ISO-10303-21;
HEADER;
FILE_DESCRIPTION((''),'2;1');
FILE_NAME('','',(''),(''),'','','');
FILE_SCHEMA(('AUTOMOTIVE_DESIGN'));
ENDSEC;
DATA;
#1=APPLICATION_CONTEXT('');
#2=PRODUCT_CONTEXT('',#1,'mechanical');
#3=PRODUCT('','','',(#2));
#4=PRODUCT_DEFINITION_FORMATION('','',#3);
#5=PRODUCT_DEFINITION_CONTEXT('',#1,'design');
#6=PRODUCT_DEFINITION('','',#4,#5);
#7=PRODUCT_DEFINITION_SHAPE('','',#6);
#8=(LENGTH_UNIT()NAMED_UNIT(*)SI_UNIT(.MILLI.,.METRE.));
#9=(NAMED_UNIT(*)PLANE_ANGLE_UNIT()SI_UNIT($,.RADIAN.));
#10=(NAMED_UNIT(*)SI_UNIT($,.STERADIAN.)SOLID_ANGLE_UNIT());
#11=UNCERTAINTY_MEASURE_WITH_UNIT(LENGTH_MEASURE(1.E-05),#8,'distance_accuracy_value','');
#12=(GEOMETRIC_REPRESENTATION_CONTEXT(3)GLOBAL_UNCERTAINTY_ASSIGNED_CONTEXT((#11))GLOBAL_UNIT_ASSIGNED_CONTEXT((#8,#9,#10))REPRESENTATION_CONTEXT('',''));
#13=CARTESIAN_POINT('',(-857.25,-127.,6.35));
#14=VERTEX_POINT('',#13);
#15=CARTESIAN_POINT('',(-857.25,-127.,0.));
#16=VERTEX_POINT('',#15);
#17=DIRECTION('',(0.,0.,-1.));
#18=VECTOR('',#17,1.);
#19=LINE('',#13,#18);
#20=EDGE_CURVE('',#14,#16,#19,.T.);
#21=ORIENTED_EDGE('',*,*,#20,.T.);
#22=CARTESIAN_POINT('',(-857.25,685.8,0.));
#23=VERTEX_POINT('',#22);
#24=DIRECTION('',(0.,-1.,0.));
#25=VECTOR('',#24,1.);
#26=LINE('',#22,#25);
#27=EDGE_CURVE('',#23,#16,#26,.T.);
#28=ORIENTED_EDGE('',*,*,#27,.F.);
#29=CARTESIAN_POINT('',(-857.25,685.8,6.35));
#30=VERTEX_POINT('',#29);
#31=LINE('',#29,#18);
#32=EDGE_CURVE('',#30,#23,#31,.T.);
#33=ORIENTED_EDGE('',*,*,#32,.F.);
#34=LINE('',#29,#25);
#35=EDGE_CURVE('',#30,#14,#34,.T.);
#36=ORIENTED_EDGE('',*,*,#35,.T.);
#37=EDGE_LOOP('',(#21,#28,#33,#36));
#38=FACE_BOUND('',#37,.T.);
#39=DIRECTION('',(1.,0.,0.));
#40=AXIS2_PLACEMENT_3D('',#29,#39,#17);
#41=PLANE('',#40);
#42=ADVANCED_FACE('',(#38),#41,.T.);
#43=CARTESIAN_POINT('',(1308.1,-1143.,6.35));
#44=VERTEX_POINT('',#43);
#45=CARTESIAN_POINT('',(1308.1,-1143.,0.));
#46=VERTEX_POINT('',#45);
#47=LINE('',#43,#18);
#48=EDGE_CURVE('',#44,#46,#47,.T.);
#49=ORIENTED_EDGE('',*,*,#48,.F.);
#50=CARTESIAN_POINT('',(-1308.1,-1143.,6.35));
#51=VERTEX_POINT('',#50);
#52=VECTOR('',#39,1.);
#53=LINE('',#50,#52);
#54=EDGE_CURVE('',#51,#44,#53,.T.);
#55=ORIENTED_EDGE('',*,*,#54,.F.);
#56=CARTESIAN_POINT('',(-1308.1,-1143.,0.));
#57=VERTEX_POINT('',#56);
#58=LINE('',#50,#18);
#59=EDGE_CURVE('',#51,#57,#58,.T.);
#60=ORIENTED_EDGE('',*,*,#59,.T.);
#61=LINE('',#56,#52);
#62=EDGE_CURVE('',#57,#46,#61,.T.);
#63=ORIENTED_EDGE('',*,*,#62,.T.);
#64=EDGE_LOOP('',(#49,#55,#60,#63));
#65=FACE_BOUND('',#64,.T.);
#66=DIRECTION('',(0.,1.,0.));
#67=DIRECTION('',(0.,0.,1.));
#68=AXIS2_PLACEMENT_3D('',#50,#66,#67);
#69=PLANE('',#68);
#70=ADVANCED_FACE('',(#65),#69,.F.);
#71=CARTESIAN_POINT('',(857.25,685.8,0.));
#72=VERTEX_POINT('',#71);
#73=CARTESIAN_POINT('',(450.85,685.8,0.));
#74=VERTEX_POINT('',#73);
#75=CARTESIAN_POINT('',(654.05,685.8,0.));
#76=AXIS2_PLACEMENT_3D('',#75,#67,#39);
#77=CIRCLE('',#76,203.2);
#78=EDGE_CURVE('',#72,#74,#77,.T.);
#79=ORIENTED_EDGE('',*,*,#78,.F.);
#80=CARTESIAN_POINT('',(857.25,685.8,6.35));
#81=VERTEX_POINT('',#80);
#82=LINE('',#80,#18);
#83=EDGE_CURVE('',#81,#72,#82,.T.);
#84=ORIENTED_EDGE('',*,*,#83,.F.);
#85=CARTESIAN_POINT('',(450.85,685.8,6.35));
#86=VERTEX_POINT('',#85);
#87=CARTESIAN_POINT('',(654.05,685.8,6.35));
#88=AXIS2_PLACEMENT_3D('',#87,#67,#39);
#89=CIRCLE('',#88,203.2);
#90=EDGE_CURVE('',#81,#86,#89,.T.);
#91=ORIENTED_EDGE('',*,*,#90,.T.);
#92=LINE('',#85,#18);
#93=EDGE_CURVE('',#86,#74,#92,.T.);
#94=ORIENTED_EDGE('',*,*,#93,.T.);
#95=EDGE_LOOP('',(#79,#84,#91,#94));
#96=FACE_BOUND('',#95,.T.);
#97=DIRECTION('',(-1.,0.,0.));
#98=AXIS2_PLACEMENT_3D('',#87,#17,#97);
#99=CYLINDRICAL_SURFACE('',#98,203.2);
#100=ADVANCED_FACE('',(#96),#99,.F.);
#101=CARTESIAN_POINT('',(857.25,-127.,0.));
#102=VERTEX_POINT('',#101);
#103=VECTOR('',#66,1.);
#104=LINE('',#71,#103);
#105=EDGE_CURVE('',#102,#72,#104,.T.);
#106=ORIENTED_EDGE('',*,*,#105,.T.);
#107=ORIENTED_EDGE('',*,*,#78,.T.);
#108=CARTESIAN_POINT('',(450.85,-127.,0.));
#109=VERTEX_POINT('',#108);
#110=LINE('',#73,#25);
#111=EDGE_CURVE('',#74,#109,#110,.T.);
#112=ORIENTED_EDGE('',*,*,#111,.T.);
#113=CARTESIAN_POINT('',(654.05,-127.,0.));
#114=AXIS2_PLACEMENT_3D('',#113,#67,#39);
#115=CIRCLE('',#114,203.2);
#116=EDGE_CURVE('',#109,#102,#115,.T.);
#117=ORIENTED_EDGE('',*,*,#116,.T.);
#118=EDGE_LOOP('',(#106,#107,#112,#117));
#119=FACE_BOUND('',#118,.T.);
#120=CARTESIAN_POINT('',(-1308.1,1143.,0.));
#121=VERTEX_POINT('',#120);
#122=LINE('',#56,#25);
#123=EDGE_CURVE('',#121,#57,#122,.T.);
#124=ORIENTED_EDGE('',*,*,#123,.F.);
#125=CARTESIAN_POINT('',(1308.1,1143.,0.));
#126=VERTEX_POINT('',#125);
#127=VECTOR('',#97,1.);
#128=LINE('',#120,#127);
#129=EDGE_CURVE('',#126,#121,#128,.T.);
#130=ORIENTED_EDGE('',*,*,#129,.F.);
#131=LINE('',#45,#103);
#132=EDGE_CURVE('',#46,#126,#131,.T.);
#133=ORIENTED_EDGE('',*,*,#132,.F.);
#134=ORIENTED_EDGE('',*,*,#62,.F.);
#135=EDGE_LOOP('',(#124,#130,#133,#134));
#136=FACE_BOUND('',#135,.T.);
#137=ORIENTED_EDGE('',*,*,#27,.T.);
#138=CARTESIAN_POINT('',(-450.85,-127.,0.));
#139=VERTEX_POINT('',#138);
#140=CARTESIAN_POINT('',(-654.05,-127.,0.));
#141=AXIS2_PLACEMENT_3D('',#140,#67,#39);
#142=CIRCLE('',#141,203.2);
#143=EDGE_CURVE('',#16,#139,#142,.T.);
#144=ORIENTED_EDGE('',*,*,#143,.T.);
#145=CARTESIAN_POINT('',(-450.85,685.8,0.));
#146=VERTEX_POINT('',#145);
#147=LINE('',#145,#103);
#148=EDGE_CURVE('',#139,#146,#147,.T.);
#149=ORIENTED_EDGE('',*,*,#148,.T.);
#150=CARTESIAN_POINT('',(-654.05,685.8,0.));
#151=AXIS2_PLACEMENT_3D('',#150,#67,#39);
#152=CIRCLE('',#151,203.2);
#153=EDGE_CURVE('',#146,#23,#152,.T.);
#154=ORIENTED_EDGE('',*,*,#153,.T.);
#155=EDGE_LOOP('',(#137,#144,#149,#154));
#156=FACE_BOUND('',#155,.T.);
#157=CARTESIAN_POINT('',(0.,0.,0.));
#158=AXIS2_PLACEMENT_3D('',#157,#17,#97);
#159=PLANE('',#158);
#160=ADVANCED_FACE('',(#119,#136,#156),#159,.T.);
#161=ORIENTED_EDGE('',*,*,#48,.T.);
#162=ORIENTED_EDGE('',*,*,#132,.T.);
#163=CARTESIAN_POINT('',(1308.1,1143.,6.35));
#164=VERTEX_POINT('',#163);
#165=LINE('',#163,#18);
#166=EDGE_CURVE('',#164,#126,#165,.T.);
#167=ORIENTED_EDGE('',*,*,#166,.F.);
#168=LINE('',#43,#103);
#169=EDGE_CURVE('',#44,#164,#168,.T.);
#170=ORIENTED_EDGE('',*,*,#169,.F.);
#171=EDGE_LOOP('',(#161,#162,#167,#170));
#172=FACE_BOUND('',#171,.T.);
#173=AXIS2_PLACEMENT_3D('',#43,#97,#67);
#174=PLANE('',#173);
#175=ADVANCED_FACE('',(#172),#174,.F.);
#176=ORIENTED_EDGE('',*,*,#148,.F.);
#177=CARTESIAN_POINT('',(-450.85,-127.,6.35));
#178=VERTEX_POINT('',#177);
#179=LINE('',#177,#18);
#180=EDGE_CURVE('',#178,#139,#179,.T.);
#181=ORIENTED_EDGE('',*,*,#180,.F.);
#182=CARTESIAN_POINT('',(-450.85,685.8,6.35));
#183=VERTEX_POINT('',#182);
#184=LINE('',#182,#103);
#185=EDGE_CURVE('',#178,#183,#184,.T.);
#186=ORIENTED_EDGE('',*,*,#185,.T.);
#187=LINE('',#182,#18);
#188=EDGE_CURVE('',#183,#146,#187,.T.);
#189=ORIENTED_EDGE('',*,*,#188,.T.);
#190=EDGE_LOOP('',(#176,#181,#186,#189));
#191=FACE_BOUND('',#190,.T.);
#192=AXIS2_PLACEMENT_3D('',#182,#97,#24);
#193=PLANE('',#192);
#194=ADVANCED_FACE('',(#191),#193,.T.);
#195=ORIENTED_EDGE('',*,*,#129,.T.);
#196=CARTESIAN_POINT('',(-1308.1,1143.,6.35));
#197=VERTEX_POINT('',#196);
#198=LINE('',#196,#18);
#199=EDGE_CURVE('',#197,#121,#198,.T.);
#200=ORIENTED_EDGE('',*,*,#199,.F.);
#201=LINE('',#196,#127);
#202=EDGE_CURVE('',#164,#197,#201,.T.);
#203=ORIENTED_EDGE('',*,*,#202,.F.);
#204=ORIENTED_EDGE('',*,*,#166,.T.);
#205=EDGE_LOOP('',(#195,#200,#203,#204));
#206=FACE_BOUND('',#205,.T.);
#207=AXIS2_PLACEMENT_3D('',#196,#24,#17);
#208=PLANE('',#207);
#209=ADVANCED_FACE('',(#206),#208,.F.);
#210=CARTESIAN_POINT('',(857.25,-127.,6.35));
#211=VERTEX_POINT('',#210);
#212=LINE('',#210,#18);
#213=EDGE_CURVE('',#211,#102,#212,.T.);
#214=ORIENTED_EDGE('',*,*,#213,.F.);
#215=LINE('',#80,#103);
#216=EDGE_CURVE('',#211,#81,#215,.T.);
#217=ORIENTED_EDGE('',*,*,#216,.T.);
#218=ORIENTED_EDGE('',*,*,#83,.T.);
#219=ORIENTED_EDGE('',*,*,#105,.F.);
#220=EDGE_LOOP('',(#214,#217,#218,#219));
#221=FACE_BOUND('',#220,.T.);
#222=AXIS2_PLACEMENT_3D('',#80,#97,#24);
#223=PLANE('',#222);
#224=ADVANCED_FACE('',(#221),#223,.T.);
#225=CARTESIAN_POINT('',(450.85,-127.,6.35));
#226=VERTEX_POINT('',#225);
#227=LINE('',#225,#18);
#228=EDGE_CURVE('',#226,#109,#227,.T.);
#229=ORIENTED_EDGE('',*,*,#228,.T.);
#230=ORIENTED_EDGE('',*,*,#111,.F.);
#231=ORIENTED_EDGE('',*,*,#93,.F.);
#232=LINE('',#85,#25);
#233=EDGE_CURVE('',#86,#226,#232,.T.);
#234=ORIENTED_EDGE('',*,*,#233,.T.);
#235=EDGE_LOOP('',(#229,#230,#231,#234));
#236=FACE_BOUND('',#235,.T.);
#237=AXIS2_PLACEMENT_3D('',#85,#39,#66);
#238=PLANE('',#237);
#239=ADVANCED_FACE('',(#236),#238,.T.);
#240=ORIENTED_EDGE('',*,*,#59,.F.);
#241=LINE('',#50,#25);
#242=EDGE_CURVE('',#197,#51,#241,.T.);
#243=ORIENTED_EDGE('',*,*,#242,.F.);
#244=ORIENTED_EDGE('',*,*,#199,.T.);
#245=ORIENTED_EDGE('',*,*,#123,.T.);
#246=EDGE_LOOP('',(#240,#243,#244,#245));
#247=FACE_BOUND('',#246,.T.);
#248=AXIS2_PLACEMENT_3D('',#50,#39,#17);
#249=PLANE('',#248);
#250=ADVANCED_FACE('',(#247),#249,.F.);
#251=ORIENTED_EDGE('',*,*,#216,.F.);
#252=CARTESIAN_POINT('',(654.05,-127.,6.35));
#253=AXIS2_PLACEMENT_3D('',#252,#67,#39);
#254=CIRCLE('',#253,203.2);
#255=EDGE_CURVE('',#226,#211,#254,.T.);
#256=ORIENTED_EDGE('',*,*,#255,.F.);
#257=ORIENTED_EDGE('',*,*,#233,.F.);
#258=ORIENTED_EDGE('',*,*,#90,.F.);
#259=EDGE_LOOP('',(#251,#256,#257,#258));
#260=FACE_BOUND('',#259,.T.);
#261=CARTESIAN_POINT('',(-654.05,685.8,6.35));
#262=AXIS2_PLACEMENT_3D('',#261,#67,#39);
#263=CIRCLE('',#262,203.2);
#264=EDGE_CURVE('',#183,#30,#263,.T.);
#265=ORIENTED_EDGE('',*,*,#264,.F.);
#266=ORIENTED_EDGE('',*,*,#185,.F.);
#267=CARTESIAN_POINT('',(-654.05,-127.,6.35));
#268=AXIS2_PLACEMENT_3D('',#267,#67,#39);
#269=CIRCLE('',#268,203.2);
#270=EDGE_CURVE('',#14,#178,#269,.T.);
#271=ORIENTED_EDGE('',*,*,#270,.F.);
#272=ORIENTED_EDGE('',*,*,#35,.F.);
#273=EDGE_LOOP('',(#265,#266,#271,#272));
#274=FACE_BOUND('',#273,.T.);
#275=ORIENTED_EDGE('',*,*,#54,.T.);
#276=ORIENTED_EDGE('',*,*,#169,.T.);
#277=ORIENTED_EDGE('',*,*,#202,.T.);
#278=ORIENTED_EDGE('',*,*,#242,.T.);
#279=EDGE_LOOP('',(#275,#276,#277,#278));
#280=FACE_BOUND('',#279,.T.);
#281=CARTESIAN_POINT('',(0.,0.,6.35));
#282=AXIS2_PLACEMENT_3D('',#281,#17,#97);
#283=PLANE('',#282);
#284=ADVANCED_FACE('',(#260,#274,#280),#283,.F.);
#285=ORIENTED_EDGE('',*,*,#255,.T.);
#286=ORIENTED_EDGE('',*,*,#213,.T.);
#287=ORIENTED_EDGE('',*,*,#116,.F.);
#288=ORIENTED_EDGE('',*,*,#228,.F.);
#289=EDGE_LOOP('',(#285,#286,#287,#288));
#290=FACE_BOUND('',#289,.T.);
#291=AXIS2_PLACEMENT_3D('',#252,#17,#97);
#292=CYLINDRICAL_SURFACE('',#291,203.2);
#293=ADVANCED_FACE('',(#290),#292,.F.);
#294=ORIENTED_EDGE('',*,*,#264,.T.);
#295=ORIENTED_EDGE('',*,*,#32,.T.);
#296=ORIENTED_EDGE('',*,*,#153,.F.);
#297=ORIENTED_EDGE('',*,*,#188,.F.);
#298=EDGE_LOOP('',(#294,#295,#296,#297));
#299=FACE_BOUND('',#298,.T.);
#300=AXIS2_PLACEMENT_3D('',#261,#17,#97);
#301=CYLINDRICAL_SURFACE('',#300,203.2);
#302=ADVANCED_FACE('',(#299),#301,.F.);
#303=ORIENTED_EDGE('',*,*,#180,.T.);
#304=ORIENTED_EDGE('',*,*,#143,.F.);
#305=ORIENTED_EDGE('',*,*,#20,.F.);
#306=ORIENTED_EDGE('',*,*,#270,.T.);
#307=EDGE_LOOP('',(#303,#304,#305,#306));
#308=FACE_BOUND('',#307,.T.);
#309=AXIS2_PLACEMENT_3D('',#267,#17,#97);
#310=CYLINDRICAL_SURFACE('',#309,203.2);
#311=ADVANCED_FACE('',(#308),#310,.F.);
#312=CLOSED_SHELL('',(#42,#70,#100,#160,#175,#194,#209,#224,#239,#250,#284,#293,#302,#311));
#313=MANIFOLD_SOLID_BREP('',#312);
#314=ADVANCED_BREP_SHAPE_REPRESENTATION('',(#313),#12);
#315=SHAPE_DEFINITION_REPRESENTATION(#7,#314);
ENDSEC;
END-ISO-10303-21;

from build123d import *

# Parameters (mm, degrees)
SKETCH1_W           = 2616.2
SKETCH1_H           = 2286
BOSS_EXTRUDE1_DEPTH = 6.35


with BuildPart() as part:
    # Sketch1 → Boss-Extrude1 (new body)
    with BuildSketch(Plane.XY):
        Rectangle(SKETCH1_W, SKETCH1_H)
        with BuildLine():
            Line((-450.85, 685.8), (-450.85, -127))
            ThreePointArc((-450.85, -127), (-654.05, -330.2), (-857.25, -127))
            Line((-857.25, -127), (-857.25, 685.8))
            ThreePointArc((-857.25, 685.8), (-654.05, 889), (-450.85, 685.8))
        make_face(mode=Mode.SUBTRACT)
        with BuildLine():
            Line((857.25, 685.8), (857.25, -127))
            ThreePointArc((857.25, -127), (654.05, -330.2), (450.85, -127))
            Line((450.85, -127), (450.85, 685.8))
            ThreePointArc((450.85, 685.8), (654.05, 889), (857.25, 685.8))
        make_face(mode=Mode.SUBTRACT)
    extrude(amount=BOSS_EXTRUDE1_DEPTH)


solid = part.part
